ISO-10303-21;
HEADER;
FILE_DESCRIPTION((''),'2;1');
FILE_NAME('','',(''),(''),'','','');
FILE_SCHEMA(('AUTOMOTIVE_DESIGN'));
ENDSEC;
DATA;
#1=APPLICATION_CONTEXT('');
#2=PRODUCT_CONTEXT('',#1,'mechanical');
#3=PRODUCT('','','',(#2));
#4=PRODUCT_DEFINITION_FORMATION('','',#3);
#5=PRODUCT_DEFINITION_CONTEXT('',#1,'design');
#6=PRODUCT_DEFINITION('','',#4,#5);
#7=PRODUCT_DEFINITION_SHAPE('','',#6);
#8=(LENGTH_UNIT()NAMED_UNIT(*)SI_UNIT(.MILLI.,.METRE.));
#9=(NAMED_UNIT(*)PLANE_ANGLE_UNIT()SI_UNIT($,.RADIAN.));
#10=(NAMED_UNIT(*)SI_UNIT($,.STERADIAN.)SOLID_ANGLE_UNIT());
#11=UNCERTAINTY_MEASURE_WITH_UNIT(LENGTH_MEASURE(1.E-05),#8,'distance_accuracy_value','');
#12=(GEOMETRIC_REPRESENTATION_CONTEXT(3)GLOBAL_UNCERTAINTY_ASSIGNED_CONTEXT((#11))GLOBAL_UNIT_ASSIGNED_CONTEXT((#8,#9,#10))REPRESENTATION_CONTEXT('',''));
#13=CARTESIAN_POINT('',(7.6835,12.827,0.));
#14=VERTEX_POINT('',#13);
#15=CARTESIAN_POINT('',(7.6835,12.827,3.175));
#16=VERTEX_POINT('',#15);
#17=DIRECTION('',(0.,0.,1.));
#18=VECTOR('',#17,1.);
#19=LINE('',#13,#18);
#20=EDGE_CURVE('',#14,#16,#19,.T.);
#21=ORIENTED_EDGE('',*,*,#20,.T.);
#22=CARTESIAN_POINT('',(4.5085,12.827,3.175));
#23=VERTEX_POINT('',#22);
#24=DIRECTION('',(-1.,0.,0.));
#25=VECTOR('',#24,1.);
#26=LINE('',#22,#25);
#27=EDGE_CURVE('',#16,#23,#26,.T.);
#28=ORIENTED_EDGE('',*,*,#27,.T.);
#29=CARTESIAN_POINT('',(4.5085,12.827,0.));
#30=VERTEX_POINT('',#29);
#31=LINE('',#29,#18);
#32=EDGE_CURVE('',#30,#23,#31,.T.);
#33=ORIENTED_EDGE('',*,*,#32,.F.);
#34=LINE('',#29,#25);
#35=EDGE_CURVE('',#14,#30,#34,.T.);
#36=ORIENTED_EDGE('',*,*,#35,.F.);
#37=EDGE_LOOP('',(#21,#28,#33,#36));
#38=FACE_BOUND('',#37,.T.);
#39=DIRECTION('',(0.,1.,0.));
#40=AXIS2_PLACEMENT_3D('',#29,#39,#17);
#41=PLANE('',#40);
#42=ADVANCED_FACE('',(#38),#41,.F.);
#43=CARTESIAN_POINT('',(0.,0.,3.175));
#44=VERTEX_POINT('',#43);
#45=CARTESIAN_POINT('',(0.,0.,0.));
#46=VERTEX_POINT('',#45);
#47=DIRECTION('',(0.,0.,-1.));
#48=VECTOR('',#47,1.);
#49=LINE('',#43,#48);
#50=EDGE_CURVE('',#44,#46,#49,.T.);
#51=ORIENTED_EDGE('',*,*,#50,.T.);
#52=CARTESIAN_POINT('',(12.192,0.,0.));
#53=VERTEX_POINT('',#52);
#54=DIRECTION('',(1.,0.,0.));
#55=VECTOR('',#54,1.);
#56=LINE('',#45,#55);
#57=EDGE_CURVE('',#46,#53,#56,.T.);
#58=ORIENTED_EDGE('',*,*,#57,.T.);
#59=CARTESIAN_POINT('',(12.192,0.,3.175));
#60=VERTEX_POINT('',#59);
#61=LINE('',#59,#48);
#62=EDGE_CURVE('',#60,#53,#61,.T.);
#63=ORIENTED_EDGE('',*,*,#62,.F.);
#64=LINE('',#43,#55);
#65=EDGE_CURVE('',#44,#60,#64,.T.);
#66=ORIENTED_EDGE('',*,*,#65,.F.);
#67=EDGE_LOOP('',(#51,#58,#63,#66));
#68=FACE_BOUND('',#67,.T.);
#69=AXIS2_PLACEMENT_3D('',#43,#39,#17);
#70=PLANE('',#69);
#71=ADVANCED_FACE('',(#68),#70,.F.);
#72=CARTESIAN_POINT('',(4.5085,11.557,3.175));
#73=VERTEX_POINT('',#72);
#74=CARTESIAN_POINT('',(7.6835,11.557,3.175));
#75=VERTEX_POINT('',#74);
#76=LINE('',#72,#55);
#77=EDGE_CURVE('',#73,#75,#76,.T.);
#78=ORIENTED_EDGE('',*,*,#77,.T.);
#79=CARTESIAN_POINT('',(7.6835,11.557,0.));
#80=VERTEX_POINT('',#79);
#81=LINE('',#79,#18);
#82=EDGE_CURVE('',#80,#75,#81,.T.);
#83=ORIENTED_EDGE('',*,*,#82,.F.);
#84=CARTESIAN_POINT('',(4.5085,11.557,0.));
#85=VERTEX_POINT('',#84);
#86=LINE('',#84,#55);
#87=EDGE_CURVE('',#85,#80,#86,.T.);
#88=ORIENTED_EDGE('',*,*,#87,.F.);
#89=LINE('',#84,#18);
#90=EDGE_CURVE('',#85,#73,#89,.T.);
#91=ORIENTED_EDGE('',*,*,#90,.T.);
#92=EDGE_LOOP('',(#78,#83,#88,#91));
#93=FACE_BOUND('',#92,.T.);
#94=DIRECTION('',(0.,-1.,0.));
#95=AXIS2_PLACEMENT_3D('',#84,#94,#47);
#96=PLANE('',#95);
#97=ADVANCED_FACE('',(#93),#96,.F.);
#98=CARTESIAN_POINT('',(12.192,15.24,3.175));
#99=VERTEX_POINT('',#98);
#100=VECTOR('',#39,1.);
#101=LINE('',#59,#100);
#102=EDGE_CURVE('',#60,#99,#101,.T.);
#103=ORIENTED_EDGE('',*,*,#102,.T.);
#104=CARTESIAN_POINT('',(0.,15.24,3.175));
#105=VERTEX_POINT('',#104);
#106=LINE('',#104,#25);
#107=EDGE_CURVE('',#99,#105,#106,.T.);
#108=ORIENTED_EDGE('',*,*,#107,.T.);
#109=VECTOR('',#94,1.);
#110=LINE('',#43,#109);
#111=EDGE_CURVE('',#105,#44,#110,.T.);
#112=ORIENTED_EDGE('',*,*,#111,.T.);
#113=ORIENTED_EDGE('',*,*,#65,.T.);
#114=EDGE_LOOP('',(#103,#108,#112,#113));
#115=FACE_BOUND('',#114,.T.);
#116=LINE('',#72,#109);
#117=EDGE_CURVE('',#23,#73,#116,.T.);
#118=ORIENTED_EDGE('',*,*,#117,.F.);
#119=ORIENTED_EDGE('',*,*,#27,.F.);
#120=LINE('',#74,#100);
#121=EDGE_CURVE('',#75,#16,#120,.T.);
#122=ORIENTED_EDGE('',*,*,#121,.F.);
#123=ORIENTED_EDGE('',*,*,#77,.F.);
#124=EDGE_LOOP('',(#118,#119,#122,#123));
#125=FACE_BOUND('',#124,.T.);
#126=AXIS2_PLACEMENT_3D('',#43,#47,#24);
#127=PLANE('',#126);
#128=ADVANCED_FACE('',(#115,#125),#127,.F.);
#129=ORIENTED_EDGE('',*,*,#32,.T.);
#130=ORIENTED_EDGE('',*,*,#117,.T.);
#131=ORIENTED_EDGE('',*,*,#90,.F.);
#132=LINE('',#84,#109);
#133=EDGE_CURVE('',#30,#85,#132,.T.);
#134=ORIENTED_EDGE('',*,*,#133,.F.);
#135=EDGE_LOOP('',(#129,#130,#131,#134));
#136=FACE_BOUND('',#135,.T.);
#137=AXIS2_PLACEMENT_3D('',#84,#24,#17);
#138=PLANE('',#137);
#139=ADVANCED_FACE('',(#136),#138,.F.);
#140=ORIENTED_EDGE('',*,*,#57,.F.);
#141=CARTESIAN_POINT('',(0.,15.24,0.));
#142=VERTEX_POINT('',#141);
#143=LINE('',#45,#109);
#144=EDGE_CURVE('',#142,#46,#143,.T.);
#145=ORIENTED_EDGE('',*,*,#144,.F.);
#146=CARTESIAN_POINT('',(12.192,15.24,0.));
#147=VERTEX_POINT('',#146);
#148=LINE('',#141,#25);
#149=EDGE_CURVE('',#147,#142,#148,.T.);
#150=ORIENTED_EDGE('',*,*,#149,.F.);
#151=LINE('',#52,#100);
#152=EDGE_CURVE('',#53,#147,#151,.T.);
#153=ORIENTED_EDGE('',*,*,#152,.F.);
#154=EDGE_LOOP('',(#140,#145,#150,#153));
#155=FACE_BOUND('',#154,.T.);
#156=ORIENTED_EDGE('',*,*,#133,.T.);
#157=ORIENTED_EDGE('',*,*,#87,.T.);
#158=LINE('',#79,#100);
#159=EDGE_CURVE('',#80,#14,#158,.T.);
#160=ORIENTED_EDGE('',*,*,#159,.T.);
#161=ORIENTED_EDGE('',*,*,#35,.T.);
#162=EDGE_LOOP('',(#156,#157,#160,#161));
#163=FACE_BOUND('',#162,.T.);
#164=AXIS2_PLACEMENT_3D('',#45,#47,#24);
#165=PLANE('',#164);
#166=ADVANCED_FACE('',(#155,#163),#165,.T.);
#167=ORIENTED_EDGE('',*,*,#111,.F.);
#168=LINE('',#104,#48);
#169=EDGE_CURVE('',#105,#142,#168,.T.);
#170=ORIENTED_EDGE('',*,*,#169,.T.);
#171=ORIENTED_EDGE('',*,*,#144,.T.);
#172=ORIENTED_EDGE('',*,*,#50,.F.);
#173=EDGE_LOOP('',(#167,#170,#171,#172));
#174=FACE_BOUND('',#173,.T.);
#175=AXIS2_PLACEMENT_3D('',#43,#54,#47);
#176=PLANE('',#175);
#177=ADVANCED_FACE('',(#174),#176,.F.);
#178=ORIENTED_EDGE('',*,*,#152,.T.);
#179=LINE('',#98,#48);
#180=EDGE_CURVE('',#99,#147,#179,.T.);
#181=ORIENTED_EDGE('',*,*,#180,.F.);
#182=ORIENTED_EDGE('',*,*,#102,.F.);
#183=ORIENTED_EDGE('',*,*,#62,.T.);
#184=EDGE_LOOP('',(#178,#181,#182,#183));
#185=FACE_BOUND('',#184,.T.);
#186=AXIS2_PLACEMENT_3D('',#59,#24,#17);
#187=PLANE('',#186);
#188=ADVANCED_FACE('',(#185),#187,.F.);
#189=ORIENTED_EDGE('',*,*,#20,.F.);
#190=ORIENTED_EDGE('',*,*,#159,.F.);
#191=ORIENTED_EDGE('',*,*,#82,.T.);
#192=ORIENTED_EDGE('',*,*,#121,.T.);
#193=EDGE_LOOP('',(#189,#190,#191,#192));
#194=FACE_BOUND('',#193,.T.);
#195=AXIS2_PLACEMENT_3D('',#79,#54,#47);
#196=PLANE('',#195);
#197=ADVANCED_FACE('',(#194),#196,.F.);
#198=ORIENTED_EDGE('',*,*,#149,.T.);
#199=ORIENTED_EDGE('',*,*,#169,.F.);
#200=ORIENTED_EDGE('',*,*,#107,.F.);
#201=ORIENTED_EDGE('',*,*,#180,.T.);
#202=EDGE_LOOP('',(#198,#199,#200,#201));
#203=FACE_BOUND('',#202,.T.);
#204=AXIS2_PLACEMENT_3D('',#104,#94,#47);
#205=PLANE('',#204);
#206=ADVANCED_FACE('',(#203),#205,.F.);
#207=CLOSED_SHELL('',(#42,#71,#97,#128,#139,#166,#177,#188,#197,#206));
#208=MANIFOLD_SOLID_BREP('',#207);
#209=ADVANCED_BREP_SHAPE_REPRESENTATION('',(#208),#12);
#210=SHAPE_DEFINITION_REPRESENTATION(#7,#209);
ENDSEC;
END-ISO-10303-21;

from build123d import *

# Parameters (mm, degrees)
SKETCH1_W           = 12.192
SKETCH1_H           = 15.24
BOSS_EXTRUDE1_DEPTH = 3.175
SKETCH2_W           = 3.175
SKETCH2_H           = 1.27
CUT_EXTRUDE1_DEPTH  = 3.175


with BuildPart() as part:
    # Sketch1 → Boss-Extrude1 (new body)
    with BuildSketch(Plane.XY):
        with Locations((6.096, 7.62)):
            Rectangle(SKETCH1_W, SKETCH1_H)
    extrude(amount=BOSS_EXTRUDE1_DEPTH)

    # Sketch2 → Cut-Extrude1 (cut)
    with BuildSketch(Plane.XY.offset(3.175)):
        with Locations((6.096, 12.192)):
            Rectangle(SKETCH2_W, SKETCH2_H)
    extrude(amount=-CUT_EXTRUDE1_DEPTH, mode=Mode.SUBTRACT)


solid = part.part
